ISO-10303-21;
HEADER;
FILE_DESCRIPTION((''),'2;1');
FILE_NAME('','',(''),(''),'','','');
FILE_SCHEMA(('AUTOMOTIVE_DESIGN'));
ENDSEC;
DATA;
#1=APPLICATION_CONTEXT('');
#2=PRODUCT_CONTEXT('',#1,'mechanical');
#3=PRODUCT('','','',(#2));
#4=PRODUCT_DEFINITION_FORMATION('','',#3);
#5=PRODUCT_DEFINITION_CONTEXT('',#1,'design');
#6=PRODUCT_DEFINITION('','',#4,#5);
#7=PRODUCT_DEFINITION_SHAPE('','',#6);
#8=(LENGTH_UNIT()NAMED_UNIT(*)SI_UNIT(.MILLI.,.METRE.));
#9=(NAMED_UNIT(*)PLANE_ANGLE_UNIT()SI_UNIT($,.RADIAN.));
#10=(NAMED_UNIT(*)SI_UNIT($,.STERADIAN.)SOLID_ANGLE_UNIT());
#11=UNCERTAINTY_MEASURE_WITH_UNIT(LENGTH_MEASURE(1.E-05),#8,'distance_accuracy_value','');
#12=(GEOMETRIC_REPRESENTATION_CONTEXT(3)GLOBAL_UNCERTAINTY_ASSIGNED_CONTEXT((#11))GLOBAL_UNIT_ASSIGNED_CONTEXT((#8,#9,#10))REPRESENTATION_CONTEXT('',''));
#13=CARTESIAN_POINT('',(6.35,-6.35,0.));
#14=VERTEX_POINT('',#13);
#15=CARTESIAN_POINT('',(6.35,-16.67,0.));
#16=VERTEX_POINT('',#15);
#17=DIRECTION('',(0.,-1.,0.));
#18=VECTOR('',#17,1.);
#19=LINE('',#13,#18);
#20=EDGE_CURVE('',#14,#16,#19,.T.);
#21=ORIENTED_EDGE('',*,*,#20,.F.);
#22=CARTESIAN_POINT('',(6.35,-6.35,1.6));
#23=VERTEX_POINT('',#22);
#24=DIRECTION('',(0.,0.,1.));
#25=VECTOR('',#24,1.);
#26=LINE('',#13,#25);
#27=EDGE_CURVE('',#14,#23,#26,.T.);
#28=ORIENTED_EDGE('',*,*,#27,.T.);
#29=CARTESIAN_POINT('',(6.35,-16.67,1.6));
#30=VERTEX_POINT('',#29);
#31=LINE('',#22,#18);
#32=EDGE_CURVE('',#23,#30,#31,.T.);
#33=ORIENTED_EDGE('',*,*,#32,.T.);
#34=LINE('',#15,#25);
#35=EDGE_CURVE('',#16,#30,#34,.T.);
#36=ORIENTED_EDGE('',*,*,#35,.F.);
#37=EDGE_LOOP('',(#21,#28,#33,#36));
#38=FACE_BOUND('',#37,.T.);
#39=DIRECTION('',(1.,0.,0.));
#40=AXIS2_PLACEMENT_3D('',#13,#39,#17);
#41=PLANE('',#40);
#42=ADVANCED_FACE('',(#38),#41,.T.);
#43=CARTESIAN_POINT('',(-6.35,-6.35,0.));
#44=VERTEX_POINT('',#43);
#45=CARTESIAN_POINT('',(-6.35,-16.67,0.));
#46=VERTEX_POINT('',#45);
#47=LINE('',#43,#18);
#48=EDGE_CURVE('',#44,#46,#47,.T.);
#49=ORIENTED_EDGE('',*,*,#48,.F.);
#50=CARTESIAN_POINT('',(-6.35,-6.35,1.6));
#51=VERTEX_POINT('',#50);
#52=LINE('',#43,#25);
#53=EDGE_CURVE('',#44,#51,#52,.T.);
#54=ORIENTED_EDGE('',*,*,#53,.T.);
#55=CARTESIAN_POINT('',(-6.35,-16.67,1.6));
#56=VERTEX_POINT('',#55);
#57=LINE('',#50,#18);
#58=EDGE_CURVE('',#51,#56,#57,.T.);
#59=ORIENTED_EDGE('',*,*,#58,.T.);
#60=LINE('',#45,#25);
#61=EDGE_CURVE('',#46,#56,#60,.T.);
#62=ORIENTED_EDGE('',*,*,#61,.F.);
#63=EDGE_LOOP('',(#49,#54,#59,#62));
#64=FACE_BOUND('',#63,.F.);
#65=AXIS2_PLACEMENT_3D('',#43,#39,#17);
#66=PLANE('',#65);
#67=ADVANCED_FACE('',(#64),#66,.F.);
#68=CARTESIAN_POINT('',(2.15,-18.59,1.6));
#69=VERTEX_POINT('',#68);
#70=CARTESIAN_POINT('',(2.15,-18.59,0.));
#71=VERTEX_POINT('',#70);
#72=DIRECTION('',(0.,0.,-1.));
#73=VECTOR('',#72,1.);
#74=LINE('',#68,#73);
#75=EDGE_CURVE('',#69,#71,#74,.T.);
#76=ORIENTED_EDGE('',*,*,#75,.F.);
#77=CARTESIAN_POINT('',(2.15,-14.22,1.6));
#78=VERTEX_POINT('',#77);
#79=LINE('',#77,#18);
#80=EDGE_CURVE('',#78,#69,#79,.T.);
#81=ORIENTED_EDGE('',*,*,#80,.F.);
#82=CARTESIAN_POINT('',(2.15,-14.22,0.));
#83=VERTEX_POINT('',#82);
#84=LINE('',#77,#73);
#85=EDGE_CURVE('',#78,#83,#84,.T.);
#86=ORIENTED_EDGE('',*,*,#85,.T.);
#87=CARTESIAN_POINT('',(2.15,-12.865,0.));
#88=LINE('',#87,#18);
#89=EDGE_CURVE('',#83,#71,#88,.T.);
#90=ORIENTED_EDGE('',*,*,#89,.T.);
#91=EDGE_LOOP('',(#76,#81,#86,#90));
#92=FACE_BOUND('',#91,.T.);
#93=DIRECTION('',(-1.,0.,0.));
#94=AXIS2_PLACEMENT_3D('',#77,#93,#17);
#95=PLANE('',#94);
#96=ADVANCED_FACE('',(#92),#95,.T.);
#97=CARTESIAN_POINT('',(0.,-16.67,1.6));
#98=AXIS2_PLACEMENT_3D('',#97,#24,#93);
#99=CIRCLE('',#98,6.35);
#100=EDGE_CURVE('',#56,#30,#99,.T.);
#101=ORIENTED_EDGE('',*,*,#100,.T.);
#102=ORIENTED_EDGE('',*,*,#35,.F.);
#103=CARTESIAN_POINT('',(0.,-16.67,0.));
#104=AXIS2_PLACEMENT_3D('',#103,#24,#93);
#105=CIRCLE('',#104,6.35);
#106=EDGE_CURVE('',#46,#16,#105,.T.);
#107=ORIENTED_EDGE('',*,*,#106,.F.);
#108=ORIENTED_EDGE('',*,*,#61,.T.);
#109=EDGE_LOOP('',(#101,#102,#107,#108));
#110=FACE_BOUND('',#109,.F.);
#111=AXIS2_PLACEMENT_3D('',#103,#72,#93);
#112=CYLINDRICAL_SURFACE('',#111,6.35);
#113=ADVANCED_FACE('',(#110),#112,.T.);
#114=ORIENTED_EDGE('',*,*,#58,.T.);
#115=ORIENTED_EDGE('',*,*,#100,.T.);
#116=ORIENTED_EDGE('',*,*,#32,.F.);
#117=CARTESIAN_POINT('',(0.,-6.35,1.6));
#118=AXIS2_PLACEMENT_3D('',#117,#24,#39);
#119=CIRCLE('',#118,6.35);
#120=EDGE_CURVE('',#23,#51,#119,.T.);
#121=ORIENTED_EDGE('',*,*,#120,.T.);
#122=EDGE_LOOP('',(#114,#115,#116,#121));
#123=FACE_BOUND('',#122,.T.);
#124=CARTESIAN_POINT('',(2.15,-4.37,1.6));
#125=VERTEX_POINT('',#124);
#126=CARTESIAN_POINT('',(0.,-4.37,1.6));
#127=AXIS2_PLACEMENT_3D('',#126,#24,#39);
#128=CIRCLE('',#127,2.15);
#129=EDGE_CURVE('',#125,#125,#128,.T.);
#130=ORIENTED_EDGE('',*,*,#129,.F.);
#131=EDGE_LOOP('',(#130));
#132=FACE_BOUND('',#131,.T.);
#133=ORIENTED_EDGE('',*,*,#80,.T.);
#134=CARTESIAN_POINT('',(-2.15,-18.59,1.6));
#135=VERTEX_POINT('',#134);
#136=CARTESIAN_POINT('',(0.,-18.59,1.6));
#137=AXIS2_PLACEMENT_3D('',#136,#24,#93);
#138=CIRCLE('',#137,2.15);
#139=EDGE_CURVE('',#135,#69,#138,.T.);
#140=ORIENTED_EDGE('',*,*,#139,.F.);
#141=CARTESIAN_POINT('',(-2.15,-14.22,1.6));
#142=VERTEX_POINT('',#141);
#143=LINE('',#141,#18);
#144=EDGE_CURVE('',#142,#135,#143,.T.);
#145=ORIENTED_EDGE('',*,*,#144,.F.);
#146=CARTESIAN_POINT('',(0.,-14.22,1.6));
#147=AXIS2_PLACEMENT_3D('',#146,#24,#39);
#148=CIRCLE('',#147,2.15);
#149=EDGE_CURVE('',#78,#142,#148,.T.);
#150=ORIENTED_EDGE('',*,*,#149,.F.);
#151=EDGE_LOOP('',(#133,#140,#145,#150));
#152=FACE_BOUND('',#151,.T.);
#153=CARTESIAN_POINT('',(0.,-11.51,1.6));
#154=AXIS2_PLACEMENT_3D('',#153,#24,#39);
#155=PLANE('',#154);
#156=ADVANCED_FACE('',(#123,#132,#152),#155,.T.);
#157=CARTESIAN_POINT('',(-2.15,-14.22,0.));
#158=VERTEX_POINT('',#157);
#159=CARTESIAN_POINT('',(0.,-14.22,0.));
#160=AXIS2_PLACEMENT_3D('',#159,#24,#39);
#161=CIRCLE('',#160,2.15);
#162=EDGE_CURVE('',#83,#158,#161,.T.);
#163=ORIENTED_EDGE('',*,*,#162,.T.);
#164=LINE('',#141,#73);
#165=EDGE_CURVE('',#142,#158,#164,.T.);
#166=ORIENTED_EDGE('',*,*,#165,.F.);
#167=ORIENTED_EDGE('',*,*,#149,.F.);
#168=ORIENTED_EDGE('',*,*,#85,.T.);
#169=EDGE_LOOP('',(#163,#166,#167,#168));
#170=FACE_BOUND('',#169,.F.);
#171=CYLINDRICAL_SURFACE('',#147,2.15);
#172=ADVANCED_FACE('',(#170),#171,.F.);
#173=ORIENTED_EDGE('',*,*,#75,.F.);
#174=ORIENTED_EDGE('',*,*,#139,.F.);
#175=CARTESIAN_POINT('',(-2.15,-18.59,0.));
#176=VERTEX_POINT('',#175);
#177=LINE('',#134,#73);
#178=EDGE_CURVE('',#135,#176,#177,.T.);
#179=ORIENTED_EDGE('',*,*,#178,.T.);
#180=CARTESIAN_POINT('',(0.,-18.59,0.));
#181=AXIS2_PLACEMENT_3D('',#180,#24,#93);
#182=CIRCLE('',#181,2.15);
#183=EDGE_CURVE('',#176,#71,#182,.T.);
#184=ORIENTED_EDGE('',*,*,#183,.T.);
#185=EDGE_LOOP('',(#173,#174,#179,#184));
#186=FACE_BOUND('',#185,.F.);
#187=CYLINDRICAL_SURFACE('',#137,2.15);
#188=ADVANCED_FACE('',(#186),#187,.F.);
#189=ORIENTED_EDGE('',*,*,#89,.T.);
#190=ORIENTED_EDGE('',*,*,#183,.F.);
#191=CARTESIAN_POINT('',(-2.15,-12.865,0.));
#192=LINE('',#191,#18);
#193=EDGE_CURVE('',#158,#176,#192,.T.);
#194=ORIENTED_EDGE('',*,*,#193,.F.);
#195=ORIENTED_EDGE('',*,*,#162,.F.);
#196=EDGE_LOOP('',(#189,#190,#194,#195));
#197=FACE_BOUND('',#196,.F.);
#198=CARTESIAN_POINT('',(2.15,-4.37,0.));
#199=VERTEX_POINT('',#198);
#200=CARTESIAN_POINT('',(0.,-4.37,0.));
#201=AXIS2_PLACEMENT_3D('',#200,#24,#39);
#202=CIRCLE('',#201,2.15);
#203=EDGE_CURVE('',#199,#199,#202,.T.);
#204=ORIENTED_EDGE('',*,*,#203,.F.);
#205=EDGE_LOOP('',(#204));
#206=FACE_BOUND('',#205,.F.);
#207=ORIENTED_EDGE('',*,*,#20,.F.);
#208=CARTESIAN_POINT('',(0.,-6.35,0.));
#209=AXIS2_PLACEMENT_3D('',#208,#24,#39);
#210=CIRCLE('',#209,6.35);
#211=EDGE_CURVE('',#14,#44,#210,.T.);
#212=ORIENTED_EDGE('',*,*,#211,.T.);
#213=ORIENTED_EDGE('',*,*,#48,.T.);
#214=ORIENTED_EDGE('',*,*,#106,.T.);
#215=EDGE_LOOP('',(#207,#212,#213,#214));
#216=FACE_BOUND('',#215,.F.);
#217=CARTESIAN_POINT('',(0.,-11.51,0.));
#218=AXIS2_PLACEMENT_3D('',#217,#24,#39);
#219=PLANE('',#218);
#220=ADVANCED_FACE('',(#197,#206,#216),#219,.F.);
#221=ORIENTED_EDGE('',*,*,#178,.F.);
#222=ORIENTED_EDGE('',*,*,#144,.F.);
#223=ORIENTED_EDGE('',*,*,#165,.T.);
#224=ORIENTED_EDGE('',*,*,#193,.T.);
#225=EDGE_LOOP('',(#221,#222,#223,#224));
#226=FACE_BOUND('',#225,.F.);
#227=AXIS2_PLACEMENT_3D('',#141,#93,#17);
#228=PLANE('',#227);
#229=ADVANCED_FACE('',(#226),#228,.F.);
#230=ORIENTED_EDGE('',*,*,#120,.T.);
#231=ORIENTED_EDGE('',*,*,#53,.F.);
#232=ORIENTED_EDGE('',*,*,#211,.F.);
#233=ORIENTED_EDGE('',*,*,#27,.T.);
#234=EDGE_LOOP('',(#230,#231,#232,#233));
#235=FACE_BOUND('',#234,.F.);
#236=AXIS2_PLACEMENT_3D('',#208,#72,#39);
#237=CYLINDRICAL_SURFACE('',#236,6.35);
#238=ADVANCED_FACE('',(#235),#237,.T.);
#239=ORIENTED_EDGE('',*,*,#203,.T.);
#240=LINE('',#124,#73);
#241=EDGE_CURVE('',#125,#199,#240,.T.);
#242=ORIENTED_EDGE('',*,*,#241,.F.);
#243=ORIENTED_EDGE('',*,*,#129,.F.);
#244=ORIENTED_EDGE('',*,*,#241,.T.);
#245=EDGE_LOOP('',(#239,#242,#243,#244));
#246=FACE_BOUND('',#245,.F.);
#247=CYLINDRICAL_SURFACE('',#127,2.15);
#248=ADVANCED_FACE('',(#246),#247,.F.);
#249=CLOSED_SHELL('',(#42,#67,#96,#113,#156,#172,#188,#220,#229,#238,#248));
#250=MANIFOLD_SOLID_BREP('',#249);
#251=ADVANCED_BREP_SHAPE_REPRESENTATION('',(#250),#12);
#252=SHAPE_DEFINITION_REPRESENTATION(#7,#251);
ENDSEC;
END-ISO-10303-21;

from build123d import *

# Parameters (mm, degrees)
PAD_DEPTH       = 1.6
SKETCH001_R     = 2.15
POCKET_DEPTH    = 1.601
POCKET001_DEPTH = 1.601


with BuildPart() as part:
    # Sketch → Pad (new body)
    with BuildSketch(Plane.XY):
        with BuildLine():
            ThreePointArc((6.35, -6.35), (0, 0), (-6.35, -6.35))
            Line((-6.35, -6.35), (-6.35, -16.67))
            ThreePointArc((-6.35, -16.67), (0, -23.02), (6.35, -16.67))
            Line((6.35, -6.35), (6.35, -16.67))
        make_face()
    extrude(amount=PAD_DEPTH)

    # Sketch001 (on Face6 of Pad) → Pocket (cut, through all)
    with BuildSketch(Plane.XY.offset(1.6)):
        with Locations((0, -4.37)):
            Circle(SKETCH001_R)
    extrude(amount=-POCKET_DEPTH, mode=Mode.SUBTRACT)

    # Sketch002 (on Face5 of Pocket) → Pocket001 (cut, through all)
    with BuildSketch(Plane.XY.offset(1.6)):
        with BuildLine():
            ThreePointArc((2.15, -14.22), (0, -12.07), (-2.15, -14.22))
            Line((-2.15, -14.22), (-2.15, -18.59))
            ThreePointArc((-2.15, -18.59), (0, -20.74), (2.15, -18.59))
            Line((2.15, -14.22), (2.15, -18.59))
        make_face()
    extrude(amount=-POCKET001_DEPTH, mode=Mode.SUBTRACT)


solid = part.part
